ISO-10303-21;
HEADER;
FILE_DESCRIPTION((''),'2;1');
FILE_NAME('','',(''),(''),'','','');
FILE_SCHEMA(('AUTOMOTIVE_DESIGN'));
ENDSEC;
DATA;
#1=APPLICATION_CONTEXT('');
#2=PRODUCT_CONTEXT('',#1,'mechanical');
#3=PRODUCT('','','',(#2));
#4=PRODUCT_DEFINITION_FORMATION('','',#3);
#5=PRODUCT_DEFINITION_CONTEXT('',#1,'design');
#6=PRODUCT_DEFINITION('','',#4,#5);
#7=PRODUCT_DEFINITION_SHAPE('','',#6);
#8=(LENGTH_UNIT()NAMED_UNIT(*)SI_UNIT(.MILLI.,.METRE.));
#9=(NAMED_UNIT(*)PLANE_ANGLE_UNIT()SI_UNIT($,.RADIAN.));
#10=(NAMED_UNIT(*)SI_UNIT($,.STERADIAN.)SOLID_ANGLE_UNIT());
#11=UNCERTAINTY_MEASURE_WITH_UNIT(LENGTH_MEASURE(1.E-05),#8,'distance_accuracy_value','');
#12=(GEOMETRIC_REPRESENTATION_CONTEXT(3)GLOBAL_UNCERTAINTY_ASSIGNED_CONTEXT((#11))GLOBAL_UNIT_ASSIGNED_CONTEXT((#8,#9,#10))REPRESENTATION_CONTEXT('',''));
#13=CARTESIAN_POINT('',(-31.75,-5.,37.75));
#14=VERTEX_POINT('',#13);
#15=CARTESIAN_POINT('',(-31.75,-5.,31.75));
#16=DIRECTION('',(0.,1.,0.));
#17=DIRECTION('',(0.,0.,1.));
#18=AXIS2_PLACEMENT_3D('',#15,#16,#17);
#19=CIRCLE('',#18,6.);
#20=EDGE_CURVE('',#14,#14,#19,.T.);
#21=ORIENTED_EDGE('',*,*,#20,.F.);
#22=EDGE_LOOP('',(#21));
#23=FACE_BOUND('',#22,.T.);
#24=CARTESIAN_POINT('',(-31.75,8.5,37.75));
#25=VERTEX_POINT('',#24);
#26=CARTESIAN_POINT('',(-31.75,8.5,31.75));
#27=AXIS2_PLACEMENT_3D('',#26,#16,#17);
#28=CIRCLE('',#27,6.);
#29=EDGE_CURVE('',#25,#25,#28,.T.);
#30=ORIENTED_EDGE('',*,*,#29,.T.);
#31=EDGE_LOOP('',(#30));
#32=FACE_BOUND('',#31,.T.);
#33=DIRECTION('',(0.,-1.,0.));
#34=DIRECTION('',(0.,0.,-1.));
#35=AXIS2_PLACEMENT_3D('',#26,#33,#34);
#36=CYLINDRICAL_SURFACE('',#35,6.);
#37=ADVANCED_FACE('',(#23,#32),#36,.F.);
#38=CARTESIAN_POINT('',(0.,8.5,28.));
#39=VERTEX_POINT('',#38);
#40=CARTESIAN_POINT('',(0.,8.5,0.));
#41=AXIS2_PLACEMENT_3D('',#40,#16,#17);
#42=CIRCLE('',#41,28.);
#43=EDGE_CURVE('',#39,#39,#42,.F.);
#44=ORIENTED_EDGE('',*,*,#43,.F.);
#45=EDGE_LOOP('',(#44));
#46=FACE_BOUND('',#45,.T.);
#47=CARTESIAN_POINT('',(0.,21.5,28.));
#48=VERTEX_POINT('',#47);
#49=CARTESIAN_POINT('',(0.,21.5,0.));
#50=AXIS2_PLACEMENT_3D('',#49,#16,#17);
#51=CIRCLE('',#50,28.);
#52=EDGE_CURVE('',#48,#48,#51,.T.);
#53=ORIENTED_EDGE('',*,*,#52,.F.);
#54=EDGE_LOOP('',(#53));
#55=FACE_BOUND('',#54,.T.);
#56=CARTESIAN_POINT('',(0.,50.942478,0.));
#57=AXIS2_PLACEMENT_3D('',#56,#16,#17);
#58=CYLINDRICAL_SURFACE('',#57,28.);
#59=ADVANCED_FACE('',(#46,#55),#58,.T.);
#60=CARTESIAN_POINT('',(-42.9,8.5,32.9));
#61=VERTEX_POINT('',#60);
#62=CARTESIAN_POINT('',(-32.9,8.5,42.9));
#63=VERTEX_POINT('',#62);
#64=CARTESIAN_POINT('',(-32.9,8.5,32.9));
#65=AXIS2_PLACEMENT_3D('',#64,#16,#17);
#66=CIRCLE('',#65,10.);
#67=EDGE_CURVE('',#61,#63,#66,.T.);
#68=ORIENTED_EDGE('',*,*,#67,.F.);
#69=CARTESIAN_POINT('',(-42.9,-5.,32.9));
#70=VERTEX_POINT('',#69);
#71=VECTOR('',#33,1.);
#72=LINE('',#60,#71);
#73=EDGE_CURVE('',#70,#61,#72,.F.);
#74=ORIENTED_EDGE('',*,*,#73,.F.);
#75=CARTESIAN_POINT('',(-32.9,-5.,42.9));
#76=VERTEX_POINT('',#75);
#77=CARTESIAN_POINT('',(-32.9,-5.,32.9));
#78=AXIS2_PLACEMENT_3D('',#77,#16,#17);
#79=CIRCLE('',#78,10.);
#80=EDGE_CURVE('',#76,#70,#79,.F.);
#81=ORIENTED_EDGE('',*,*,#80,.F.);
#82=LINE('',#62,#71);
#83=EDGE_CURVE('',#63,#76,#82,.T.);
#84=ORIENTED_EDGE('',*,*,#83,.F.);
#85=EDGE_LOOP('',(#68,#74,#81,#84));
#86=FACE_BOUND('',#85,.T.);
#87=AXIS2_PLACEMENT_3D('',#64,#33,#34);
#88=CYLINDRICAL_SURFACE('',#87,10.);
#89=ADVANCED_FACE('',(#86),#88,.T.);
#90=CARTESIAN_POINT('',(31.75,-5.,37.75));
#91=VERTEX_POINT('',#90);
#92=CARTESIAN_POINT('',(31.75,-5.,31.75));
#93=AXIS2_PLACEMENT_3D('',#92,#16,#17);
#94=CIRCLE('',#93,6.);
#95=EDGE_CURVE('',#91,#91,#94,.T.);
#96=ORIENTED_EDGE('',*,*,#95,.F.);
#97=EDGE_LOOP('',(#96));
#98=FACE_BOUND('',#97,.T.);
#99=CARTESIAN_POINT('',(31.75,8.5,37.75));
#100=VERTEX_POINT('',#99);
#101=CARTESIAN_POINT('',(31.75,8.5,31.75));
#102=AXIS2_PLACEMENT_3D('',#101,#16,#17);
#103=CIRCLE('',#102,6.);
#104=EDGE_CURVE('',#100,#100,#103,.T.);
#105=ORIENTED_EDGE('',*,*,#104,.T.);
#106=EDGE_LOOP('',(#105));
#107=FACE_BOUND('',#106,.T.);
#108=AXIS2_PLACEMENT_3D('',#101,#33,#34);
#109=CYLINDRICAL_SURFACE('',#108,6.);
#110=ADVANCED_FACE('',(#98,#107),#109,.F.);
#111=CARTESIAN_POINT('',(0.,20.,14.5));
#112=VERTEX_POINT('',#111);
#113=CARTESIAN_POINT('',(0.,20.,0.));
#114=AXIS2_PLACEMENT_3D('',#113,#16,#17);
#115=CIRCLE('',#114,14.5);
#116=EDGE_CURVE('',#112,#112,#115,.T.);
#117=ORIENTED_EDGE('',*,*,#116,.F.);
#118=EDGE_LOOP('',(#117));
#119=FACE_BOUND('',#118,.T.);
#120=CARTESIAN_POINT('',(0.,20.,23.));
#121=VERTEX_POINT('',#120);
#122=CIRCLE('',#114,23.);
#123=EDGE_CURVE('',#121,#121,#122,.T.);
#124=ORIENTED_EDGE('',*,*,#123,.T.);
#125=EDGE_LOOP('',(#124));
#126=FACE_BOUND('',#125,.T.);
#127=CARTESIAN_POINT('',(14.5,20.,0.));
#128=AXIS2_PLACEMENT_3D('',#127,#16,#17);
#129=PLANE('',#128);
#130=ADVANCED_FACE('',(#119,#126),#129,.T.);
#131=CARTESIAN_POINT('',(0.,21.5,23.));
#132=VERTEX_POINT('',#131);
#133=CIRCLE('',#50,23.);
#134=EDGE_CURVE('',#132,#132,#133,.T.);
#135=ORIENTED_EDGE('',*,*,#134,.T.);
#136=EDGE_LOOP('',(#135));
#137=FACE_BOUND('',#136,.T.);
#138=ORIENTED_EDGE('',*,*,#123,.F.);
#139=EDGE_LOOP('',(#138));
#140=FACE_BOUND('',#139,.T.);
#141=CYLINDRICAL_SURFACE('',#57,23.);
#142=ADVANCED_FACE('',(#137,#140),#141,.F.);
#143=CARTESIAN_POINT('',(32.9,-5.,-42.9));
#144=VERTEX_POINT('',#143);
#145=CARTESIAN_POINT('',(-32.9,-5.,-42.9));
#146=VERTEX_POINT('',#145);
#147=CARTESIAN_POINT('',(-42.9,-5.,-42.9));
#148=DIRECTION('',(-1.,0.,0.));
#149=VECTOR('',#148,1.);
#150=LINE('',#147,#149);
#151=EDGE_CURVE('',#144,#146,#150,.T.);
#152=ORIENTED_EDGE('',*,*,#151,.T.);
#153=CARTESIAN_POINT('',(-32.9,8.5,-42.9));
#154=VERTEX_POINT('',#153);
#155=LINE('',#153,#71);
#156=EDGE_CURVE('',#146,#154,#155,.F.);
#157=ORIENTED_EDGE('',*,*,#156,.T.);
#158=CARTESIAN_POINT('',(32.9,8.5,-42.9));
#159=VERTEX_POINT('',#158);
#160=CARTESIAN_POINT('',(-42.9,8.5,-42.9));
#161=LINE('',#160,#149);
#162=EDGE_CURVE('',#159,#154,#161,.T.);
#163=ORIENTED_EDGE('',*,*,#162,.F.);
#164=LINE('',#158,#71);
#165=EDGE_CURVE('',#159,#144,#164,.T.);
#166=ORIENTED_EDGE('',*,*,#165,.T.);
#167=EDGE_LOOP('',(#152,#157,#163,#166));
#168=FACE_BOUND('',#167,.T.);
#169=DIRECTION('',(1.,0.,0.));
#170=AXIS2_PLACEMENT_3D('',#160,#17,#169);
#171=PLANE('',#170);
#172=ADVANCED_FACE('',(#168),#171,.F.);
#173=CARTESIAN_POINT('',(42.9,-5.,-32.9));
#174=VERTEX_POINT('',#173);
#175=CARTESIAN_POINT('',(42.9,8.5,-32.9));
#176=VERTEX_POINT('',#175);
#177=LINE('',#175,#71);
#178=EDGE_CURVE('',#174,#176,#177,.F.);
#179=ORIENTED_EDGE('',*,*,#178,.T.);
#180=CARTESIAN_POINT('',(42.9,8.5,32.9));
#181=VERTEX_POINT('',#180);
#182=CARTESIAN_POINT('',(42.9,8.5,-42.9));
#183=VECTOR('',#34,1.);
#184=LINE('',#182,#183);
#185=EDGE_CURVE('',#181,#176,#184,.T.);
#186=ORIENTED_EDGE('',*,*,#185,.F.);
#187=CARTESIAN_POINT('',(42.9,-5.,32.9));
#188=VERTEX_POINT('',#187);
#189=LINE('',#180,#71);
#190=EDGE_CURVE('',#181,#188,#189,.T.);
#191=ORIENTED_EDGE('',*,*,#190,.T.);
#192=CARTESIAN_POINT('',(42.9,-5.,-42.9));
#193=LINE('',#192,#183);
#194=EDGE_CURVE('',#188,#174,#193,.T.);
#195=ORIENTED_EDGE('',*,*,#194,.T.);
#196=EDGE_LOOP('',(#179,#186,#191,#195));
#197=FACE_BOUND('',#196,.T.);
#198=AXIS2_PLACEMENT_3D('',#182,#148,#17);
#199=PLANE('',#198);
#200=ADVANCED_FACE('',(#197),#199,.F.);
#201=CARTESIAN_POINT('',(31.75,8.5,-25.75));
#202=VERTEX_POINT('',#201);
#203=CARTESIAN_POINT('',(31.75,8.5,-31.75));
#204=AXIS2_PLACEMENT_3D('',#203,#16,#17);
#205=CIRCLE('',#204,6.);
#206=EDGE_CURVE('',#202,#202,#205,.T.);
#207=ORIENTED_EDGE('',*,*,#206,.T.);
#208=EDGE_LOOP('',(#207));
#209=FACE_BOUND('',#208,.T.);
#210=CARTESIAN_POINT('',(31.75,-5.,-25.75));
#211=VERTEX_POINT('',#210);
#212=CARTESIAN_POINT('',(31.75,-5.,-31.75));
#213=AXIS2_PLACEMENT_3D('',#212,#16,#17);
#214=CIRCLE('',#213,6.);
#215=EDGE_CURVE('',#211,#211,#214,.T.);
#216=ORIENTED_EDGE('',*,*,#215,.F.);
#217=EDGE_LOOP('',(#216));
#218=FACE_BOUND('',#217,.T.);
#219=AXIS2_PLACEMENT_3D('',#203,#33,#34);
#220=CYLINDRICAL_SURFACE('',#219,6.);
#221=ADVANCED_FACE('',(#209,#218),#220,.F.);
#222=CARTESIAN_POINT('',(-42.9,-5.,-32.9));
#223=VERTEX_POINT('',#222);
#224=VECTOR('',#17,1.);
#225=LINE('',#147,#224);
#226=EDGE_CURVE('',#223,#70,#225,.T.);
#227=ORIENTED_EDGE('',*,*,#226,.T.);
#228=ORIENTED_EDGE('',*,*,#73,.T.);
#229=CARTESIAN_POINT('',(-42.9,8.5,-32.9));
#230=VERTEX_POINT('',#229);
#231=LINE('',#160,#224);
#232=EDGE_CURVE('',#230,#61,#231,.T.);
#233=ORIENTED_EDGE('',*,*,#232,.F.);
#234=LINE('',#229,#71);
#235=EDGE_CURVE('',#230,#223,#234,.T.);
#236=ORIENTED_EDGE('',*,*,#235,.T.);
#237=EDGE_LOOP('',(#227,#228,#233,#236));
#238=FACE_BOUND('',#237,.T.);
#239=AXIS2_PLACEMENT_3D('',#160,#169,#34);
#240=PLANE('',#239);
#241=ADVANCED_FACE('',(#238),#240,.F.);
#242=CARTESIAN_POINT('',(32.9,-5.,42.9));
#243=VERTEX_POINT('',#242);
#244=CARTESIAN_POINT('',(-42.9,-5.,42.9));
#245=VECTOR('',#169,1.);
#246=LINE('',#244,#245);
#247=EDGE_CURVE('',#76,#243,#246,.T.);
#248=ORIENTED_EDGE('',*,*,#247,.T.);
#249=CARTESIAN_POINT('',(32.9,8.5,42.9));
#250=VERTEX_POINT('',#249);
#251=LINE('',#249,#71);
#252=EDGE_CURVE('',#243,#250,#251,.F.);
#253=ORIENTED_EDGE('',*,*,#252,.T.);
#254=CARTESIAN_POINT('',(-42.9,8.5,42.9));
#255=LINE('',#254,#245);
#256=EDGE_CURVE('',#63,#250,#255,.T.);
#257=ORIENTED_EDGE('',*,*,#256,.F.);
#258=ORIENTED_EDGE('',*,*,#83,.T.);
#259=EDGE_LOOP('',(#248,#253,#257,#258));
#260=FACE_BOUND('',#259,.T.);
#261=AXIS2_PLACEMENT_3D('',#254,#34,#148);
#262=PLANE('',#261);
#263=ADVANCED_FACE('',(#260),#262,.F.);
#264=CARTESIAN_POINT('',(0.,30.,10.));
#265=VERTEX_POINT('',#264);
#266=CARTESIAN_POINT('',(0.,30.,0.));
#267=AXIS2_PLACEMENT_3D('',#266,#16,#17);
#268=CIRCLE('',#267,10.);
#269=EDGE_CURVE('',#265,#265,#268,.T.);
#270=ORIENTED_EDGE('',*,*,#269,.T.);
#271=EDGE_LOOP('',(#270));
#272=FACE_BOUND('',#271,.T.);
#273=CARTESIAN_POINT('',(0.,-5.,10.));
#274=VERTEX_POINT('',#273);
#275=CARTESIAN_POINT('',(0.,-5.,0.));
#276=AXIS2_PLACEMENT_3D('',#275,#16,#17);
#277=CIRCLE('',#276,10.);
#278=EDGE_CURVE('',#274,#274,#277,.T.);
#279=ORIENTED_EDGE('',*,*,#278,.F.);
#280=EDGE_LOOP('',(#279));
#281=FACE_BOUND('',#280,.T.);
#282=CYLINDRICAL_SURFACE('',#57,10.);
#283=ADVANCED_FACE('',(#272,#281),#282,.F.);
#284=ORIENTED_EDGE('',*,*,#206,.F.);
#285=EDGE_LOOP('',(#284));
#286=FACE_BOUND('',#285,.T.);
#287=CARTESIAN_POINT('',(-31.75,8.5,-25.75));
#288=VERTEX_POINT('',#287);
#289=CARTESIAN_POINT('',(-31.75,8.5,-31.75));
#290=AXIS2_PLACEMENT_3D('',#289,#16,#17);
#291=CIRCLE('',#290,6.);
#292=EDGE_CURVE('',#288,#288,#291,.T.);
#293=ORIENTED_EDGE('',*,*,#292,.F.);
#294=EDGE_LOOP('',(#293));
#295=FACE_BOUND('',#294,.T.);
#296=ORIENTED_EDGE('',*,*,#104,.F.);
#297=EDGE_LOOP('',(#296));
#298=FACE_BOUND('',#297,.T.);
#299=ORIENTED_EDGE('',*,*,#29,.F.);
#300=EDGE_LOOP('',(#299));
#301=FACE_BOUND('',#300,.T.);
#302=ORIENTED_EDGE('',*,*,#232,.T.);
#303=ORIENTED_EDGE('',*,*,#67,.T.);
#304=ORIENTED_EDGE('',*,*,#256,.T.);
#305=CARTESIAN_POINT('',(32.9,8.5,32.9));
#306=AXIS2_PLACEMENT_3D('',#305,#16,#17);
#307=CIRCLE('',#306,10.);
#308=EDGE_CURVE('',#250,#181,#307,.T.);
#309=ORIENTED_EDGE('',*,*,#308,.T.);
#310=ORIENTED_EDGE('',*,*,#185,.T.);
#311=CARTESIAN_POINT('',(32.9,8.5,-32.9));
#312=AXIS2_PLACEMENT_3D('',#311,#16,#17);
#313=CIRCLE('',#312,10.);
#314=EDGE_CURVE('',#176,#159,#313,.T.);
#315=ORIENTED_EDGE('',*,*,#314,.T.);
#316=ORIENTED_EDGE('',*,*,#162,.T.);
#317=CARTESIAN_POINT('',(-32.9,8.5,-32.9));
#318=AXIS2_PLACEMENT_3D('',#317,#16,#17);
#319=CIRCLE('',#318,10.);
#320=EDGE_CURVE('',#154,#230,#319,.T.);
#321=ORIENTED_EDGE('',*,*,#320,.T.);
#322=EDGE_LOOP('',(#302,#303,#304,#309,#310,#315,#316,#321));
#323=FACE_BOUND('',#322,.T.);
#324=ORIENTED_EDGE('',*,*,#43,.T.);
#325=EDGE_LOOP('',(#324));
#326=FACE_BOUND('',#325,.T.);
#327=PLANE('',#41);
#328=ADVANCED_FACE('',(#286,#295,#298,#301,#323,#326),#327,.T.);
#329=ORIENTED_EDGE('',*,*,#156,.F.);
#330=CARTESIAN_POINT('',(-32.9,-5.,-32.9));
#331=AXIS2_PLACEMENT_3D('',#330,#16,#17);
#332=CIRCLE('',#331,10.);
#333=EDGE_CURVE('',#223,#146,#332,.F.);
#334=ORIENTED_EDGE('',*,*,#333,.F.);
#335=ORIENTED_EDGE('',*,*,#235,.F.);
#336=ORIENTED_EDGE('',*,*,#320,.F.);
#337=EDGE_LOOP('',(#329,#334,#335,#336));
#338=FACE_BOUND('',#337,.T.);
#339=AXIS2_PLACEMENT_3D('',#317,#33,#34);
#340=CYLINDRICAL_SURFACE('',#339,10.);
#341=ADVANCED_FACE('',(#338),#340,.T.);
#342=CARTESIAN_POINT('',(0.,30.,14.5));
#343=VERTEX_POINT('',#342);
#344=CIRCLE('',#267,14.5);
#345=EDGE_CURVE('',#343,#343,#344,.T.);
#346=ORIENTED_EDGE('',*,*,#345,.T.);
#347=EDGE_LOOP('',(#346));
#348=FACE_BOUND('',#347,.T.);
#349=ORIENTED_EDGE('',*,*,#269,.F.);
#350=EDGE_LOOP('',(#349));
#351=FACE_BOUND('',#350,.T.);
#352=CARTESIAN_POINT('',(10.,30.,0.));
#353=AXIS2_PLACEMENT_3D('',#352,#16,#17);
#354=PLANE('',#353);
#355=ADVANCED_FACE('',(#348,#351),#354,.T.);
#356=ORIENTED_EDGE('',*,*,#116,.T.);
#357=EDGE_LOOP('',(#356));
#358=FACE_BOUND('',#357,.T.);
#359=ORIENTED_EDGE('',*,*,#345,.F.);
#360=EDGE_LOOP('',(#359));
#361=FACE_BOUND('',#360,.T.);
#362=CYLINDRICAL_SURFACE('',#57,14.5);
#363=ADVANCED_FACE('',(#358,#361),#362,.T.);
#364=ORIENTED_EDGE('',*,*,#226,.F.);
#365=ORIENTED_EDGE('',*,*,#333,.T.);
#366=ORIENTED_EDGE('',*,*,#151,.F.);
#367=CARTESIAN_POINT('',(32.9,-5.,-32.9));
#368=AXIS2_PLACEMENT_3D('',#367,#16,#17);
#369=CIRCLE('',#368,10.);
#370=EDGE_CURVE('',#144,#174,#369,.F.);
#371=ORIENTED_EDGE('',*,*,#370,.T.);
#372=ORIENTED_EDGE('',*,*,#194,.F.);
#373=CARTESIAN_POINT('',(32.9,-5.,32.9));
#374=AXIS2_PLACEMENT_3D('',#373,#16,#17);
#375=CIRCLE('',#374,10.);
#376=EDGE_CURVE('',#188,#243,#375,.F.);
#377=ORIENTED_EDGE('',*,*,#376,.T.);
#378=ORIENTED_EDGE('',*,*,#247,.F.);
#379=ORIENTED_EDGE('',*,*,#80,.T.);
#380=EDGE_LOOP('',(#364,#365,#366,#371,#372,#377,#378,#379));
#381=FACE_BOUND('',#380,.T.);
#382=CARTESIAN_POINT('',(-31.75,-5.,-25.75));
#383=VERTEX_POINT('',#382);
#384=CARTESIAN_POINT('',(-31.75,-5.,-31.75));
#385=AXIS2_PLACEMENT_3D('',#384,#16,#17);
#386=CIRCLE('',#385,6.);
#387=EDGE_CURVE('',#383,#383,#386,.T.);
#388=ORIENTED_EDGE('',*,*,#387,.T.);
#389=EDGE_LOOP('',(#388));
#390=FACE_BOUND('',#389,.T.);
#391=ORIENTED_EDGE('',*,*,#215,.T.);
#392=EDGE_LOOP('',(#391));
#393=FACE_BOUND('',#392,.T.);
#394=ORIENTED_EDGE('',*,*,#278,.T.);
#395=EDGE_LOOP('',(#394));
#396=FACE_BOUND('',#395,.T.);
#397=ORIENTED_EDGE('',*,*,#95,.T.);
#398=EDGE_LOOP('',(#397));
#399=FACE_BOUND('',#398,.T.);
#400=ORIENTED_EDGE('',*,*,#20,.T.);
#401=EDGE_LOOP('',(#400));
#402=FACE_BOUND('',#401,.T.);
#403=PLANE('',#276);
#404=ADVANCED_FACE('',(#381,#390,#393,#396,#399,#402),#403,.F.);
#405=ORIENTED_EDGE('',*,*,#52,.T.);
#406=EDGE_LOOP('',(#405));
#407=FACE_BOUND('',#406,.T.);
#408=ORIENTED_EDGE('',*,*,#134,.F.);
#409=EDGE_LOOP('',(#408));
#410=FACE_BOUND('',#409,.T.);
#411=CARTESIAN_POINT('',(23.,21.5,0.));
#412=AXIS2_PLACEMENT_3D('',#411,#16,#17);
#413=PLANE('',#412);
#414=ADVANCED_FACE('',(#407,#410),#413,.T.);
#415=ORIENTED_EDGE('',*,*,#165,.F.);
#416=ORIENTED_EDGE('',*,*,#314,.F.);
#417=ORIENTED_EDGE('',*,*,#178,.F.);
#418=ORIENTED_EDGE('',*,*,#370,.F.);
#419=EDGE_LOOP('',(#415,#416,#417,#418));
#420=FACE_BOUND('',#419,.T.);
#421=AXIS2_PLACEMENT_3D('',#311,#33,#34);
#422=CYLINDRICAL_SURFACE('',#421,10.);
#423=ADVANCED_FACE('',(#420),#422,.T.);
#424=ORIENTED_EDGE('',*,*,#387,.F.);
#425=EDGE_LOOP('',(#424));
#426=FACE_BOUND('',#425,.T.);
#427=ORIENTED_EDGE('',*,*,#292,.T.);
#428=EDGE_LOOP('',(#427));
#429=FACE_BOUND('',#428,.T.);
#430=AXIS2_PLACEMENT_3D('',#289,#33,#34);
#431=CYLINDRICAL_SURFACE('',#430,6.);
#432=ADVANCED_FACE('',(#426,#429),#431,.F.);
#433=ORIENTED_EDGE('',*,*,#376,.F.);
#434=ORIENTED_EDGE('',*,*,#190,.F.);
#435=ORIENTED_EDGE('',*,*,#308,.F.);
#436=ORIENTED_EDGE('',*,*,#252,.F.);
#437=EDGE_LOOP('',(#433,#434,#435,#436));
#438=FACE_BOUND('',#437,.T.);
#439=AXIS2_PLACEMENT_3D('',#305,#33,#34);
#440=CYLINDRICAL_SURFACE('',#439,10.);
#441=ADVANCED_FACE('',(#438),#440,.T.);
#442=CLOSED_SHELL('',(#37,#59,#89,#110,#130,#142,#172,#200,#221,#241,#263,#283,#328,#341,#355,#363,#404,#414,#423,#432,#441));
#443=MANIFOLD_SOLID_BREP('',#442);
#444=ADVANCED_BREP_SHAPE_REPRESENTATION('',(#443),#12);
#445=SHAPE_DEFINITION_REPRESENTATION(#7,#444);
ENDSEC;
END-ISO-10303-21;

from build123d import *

# Parameters (mm, degrees)
SKETCH_2_W          = 85.8
SKETCH_2_H          = 85.8
SKETCH_2_R          = 6
EXTRUDE_1_DEPTH     = 13.5
FILLET_1_R          = 10
SKETCH_3_R          = 10
CUT_EXTRUDE_1_DEPTH = 65.366683929


with BuildPart() as part:
    # 草图1 → 旋转1 (revolve)
    with BuildSketch(Plane.XY, mode=Mode.PRIVATE) as revolve_1_sk:
        Polygon((10, 30), (14.5, 30), (14.5, 20), (23, 20), (23, 21.5), (28, 21.5), (28, 3.5), (14.5, 3.5), (14.5, 0), (10, 0), align=None)
    revolve(revolve_1_sk.sketch.rotate(Axis((0, 50.942477876, 0), (0, -1, 0)), 90), axis=Axis((0, 50.942477876, 0), (0, -1, 0)))

    # 草图2 → 凸台-拉伸1 (add)
    with BuildSketch(Plane(origin=(0, -5, 0), x_dir=(1, 0, 0), z_dir=(0, 1, 0))):
        Rectangle(SKETCH_2_W, SKETCH_2_H)
        with Locations(Location((-31.75, 31.75, 0), (0, 0, 270))):
            Circle(SKETCH_2_R, mode=Mode.SUBTRACT)
        with Locations(Location((31.75, 31.75, 0), (0, 0, 270))):
            Circle(SKETCH_2_R, mode=Mode.SUBTRACT)
        with Locations(Location((31.75, -31.75, 0), (0, 0, 270))):
            Circle(SKETCH_2_R, mode=Mode.SUBTRACT)
        with Locations(Location((-31.75, -31.75, 0), (0, 0, 270))):
            Circle(SKETCH_2_R, mode=Mode.SUBTRACT)
    extrude(amount=EXTRUDE_1_DEPTH)

    # 圆角1
    fillet_1_edges = [part.edges().sort_by_distance(p)[0] for p in [
        (42.9, 1.75, 42.9),
        (42.9, 1.75, -42.9),
        (-42.9, 1.75, -42.9),
        (-42.9, 1.75, 42.9),
    ]]
    fillet(fillet_1_edges, radius=FILLET_1_R)

    # 草图3 → 切除-拉伸1 (cut, through all)
    with BuildSketch(Plane(origin=(0, 8.5, 0), x_dir=(1, 0, 0), z_dir=(0, 1, 0))):
        with Locations(Location((0, 0, 0), (0, 0, 270))):
            Circle(SKETCH_3_R)
    extrude(amount=-CUT_EXTRUDE_1_DEPTH, mode=Mode.SUBTRACT)


solid = part.part
